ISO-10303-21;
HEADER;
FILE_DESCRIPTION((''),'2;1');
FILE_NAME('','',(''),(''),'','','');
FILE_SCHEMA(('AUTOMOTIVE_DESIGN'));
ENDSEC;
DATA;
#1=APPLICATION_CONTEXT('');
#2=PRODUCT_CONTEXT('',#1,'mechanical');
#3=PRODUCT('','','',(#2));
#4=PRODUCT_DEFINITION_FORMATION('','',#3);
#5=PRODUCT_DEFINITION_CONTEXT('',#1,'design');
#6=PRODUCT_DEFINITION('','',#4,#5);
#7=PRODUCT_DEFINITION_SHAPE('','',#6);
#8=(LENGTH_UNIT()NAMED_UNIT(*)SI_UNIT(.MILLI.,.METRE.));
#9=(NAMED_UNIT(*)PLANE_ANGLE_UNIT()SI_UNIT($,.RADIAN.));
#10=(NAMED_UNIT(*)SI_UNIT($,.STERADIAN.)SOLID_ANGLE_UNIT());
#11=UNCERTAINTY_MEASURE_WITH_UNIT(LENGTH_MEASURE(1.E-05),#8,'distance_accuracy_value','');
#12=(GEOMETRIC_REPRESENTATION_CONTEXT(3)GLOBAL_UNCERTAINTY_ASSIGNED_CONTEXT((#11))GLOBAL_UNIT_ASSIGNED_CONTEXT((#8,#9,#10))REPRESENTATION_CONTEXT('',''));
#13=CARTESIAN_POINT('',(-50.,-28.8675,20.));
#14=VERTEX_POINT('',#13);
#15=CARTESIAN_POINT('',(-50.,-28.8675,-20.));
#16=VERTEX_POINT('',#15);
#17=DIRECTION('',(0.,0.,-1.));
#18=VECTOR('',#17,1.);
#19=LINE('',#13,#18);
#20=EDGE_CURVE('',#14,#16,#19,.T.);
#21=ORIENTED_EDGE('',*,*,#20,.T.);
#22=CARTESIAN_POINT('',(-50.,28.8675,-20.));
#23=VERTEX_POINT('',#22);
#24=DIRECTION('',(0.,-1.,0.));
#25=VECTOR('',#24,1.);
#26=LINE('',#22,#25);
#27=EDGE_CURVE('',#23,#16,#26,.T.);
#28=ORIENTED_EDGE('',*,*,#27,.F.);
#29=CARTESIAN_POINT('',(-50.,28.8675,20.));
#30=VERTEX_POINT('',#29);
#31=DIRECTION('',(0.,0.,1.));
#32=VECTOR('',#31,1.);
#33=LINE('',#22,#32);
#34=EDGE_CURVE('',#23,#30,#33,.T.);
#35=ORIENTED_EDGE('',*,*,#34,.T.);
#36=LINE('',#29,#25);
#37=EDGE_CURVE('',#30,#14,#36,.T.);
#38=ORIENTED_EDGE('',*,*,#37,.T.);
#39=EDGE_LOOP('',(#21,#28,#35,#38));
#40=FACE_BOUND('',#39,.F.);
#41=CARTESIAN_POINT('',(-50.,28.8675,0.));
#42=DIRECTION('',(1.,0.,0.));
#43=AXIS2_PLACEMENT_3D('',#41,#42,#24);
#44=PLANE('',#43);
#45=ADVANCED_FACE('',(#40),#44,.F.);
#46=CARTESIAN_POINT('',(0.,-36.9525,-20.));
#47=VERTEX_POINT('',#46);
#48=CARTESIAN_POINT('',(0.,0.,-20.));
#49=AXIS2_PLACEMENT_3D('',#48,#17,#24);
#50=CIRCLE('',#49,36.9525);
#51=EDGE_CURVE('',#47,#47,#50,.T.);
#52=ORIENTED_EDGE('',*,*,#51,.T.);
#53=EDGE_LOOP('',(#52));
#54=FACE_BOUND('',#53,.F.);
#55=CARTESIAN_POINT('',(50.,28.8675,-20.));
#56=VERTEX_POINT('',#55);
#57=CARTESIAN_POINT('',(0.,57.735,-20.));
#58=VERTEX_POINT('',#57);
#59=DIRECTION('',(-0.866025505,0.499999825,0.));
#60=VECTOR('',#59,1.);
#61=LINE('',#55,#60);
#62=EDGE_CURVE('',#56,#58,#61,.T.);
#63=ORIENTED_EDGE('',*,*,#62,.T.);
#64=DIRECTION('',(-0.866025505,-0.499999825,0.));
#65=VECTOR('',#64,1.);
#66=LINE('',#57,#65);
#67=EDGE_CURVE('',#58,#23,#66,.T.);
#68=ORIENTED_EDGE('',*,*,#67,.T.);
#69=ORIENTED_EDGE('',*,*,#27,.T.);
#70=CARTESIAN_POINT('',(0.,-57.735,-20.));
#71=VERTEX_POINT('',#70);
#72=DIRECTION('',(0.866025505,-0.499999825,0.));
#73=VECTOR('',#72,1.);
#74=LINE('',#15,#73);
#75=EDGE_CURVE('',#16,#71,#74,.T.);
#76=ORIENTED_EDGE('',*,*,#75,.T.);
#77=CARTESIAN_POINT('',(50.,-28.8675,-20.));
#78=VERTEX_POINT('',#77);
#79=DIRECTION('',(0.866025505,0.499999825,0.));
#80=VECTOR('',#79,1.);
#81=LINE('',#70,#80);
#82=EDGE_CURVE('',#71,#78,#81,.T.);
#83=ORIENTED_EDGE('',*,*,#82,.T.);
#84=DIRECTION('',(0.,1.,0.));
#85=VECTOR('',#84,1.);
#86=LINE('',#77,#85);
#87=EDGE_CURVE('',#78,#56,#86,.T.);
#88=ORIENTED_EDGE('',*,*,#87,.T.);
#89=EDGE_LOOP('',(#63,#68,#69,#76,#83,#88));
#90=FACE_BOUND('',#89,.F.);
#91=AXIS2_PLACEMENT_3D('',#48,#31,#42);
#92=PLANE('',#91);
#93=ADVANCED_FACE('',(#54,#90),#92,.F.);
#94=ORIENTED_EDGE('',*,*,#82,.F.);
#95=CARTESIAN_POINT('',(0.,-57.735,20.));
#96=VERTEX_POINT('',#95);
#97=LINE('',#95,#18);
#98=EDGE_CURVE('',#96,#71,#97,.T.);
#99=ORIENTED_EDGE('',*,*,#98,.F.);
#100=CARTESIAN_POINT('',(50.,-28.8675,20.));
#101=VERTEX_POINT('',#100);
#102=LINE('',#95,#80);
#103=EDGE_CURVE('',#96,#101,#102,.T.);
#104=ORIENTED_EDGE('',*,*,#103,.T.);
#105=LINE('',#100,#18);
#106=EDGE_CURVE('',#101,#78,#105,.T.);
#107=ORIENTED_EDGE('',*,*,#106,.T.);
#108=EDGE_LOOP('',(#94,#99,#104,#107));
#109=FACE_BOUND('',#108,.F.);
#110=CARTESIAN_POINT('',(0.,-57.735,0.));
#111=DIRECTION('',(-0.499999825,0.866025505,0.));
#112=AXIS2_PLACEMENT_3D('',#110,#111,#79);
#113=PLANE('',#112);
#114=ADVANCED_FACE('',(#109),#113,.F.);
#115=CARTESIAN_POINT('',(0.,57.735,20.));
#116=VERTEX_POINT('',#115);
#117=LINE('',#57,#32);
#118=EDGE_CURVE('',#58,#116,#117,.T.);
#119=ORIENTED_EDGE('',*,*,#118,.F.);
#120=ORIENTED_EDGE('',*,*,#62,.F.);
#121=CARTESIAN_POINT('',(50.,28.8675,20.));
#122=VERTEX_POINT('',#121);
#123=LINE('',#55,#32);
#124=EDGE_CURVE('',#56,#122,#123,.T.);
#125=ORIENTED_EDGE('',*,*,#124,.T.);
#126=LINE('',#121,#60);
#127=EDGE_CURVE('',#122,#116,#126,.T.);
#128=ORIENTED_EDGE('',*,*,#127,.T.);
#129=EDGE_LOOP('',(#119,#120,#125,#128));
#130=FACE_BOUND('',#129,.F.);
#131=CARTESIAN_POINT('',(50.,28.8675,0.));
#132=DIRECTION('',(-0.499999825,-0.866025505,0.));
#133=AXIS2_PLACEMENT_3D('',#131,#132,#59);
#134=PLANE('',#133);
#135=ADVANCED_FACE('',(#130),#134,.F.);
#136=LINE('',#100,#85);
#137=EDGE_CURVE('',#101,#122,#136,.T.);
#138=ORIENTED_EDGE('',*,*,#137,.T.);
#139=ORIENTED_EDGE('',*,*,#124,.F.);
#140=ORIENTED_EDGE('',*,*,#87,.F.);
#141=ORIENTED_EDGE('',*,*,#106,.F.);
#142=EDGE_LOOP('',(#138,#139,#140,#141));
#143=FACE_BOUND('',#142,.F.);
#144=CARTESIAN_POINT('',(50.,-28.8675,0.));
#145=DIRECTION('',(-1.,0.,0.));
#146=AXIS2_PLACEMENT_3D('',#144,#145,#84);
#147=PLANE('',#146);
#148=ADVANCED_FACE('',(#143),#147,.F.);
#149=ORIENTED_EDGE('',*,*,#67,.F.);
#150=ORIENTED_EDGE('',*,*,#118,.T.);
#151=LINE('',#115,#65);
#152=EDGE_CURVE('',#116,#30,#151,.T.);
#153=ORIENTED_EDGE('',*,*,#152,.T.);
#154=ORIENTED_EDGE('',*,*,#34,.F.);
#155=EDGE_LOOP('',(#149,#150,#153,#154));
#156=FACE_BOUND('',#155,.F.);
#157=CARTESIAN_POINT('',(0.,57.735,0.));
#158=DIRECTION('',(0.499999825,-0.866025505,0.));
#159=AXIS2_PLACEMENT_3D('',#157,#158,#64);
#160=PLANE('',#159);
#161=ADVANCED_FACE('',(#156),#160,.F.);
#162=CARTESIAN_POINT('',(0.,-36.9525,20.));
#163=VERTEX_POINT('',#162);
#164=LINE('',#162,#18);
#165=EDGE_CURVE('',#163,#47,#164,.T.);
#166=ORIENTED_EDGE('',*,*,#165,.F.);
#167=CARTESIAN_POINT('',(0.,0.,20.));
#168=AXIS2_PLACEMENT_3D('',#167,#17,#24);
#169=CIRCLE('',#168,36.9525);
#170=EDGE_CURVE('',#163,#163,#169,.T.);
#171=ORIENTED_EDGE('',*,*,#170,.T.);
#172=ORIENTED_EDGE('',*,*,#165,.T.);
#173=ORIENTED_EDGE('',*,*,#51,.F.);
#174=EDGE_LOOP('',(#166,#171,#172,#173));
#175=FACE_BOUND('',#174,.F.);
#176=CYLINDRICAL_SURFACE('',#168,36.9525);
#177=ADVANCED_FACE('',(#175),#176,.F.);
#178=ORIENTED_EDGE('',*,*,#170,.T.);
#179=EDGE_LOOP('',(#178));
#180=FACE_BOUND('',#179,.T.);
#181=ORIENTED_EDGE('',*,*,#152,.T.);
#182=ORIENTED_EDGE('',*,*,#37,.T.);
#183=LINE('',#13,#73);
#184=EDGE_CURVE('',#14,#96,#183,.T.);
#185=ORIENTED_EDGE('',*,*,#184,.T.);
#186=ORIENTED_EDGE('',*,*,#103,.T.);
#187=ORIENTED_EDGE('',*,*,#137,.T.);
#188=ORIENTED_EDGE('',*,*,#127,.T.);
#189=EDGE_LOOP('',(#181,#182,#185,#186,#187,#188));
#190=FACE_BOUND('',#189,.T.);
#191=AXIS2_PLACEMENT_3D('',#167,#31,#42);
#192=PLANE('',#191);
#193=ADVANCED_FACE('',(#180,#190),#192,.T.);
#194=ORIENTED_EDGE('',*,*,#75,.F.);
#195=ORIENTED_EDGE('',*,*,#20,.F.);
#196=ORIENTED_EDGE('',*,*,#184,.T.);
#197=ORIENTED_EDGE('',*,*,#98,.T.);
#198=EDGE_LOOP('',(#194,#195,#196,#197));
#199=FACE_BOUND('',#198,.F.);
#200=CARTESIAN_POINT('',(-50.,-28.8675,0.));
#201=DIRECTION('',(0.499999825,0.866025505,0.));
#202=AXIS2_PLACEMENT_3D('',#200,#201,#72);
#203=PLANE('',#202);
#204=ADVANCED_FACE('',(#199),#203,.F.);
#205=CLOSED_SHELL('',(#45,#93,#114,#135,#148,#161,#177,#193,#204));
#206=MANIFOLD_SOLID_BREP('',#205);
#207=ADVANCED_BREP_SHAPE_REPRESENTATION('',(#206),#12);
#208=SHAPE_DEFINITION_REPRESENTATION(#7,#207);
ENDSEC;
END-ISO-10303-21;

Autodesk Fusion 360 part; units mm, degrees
sketch "Sketch1" plane through (0, 0, 0) normal (0, 0, 1) x (1, 0, 0)
  line L0 (50, 28.8675) -> (0, 57.735)
  line L1 (0, 57.735) -> (-50, 28.8675)
  line L2 (-50, 28.8675) -> (-50, -28.8675)
  line L3 (-50, -28.8675) -> (0, -57.735)
  line L4 (0, -57.735) -> (50, -28.8675)
  line L5 (50, -28.8675) -> (50, 28.8675)
  dimension "d1" = 50
extrude "Extrude1" add sketch "Sketch1" along normal mid plane 40
hole "Hole1" at (0, 0, 20) direction (0, 0, -1) diameter 73.905 end through all
